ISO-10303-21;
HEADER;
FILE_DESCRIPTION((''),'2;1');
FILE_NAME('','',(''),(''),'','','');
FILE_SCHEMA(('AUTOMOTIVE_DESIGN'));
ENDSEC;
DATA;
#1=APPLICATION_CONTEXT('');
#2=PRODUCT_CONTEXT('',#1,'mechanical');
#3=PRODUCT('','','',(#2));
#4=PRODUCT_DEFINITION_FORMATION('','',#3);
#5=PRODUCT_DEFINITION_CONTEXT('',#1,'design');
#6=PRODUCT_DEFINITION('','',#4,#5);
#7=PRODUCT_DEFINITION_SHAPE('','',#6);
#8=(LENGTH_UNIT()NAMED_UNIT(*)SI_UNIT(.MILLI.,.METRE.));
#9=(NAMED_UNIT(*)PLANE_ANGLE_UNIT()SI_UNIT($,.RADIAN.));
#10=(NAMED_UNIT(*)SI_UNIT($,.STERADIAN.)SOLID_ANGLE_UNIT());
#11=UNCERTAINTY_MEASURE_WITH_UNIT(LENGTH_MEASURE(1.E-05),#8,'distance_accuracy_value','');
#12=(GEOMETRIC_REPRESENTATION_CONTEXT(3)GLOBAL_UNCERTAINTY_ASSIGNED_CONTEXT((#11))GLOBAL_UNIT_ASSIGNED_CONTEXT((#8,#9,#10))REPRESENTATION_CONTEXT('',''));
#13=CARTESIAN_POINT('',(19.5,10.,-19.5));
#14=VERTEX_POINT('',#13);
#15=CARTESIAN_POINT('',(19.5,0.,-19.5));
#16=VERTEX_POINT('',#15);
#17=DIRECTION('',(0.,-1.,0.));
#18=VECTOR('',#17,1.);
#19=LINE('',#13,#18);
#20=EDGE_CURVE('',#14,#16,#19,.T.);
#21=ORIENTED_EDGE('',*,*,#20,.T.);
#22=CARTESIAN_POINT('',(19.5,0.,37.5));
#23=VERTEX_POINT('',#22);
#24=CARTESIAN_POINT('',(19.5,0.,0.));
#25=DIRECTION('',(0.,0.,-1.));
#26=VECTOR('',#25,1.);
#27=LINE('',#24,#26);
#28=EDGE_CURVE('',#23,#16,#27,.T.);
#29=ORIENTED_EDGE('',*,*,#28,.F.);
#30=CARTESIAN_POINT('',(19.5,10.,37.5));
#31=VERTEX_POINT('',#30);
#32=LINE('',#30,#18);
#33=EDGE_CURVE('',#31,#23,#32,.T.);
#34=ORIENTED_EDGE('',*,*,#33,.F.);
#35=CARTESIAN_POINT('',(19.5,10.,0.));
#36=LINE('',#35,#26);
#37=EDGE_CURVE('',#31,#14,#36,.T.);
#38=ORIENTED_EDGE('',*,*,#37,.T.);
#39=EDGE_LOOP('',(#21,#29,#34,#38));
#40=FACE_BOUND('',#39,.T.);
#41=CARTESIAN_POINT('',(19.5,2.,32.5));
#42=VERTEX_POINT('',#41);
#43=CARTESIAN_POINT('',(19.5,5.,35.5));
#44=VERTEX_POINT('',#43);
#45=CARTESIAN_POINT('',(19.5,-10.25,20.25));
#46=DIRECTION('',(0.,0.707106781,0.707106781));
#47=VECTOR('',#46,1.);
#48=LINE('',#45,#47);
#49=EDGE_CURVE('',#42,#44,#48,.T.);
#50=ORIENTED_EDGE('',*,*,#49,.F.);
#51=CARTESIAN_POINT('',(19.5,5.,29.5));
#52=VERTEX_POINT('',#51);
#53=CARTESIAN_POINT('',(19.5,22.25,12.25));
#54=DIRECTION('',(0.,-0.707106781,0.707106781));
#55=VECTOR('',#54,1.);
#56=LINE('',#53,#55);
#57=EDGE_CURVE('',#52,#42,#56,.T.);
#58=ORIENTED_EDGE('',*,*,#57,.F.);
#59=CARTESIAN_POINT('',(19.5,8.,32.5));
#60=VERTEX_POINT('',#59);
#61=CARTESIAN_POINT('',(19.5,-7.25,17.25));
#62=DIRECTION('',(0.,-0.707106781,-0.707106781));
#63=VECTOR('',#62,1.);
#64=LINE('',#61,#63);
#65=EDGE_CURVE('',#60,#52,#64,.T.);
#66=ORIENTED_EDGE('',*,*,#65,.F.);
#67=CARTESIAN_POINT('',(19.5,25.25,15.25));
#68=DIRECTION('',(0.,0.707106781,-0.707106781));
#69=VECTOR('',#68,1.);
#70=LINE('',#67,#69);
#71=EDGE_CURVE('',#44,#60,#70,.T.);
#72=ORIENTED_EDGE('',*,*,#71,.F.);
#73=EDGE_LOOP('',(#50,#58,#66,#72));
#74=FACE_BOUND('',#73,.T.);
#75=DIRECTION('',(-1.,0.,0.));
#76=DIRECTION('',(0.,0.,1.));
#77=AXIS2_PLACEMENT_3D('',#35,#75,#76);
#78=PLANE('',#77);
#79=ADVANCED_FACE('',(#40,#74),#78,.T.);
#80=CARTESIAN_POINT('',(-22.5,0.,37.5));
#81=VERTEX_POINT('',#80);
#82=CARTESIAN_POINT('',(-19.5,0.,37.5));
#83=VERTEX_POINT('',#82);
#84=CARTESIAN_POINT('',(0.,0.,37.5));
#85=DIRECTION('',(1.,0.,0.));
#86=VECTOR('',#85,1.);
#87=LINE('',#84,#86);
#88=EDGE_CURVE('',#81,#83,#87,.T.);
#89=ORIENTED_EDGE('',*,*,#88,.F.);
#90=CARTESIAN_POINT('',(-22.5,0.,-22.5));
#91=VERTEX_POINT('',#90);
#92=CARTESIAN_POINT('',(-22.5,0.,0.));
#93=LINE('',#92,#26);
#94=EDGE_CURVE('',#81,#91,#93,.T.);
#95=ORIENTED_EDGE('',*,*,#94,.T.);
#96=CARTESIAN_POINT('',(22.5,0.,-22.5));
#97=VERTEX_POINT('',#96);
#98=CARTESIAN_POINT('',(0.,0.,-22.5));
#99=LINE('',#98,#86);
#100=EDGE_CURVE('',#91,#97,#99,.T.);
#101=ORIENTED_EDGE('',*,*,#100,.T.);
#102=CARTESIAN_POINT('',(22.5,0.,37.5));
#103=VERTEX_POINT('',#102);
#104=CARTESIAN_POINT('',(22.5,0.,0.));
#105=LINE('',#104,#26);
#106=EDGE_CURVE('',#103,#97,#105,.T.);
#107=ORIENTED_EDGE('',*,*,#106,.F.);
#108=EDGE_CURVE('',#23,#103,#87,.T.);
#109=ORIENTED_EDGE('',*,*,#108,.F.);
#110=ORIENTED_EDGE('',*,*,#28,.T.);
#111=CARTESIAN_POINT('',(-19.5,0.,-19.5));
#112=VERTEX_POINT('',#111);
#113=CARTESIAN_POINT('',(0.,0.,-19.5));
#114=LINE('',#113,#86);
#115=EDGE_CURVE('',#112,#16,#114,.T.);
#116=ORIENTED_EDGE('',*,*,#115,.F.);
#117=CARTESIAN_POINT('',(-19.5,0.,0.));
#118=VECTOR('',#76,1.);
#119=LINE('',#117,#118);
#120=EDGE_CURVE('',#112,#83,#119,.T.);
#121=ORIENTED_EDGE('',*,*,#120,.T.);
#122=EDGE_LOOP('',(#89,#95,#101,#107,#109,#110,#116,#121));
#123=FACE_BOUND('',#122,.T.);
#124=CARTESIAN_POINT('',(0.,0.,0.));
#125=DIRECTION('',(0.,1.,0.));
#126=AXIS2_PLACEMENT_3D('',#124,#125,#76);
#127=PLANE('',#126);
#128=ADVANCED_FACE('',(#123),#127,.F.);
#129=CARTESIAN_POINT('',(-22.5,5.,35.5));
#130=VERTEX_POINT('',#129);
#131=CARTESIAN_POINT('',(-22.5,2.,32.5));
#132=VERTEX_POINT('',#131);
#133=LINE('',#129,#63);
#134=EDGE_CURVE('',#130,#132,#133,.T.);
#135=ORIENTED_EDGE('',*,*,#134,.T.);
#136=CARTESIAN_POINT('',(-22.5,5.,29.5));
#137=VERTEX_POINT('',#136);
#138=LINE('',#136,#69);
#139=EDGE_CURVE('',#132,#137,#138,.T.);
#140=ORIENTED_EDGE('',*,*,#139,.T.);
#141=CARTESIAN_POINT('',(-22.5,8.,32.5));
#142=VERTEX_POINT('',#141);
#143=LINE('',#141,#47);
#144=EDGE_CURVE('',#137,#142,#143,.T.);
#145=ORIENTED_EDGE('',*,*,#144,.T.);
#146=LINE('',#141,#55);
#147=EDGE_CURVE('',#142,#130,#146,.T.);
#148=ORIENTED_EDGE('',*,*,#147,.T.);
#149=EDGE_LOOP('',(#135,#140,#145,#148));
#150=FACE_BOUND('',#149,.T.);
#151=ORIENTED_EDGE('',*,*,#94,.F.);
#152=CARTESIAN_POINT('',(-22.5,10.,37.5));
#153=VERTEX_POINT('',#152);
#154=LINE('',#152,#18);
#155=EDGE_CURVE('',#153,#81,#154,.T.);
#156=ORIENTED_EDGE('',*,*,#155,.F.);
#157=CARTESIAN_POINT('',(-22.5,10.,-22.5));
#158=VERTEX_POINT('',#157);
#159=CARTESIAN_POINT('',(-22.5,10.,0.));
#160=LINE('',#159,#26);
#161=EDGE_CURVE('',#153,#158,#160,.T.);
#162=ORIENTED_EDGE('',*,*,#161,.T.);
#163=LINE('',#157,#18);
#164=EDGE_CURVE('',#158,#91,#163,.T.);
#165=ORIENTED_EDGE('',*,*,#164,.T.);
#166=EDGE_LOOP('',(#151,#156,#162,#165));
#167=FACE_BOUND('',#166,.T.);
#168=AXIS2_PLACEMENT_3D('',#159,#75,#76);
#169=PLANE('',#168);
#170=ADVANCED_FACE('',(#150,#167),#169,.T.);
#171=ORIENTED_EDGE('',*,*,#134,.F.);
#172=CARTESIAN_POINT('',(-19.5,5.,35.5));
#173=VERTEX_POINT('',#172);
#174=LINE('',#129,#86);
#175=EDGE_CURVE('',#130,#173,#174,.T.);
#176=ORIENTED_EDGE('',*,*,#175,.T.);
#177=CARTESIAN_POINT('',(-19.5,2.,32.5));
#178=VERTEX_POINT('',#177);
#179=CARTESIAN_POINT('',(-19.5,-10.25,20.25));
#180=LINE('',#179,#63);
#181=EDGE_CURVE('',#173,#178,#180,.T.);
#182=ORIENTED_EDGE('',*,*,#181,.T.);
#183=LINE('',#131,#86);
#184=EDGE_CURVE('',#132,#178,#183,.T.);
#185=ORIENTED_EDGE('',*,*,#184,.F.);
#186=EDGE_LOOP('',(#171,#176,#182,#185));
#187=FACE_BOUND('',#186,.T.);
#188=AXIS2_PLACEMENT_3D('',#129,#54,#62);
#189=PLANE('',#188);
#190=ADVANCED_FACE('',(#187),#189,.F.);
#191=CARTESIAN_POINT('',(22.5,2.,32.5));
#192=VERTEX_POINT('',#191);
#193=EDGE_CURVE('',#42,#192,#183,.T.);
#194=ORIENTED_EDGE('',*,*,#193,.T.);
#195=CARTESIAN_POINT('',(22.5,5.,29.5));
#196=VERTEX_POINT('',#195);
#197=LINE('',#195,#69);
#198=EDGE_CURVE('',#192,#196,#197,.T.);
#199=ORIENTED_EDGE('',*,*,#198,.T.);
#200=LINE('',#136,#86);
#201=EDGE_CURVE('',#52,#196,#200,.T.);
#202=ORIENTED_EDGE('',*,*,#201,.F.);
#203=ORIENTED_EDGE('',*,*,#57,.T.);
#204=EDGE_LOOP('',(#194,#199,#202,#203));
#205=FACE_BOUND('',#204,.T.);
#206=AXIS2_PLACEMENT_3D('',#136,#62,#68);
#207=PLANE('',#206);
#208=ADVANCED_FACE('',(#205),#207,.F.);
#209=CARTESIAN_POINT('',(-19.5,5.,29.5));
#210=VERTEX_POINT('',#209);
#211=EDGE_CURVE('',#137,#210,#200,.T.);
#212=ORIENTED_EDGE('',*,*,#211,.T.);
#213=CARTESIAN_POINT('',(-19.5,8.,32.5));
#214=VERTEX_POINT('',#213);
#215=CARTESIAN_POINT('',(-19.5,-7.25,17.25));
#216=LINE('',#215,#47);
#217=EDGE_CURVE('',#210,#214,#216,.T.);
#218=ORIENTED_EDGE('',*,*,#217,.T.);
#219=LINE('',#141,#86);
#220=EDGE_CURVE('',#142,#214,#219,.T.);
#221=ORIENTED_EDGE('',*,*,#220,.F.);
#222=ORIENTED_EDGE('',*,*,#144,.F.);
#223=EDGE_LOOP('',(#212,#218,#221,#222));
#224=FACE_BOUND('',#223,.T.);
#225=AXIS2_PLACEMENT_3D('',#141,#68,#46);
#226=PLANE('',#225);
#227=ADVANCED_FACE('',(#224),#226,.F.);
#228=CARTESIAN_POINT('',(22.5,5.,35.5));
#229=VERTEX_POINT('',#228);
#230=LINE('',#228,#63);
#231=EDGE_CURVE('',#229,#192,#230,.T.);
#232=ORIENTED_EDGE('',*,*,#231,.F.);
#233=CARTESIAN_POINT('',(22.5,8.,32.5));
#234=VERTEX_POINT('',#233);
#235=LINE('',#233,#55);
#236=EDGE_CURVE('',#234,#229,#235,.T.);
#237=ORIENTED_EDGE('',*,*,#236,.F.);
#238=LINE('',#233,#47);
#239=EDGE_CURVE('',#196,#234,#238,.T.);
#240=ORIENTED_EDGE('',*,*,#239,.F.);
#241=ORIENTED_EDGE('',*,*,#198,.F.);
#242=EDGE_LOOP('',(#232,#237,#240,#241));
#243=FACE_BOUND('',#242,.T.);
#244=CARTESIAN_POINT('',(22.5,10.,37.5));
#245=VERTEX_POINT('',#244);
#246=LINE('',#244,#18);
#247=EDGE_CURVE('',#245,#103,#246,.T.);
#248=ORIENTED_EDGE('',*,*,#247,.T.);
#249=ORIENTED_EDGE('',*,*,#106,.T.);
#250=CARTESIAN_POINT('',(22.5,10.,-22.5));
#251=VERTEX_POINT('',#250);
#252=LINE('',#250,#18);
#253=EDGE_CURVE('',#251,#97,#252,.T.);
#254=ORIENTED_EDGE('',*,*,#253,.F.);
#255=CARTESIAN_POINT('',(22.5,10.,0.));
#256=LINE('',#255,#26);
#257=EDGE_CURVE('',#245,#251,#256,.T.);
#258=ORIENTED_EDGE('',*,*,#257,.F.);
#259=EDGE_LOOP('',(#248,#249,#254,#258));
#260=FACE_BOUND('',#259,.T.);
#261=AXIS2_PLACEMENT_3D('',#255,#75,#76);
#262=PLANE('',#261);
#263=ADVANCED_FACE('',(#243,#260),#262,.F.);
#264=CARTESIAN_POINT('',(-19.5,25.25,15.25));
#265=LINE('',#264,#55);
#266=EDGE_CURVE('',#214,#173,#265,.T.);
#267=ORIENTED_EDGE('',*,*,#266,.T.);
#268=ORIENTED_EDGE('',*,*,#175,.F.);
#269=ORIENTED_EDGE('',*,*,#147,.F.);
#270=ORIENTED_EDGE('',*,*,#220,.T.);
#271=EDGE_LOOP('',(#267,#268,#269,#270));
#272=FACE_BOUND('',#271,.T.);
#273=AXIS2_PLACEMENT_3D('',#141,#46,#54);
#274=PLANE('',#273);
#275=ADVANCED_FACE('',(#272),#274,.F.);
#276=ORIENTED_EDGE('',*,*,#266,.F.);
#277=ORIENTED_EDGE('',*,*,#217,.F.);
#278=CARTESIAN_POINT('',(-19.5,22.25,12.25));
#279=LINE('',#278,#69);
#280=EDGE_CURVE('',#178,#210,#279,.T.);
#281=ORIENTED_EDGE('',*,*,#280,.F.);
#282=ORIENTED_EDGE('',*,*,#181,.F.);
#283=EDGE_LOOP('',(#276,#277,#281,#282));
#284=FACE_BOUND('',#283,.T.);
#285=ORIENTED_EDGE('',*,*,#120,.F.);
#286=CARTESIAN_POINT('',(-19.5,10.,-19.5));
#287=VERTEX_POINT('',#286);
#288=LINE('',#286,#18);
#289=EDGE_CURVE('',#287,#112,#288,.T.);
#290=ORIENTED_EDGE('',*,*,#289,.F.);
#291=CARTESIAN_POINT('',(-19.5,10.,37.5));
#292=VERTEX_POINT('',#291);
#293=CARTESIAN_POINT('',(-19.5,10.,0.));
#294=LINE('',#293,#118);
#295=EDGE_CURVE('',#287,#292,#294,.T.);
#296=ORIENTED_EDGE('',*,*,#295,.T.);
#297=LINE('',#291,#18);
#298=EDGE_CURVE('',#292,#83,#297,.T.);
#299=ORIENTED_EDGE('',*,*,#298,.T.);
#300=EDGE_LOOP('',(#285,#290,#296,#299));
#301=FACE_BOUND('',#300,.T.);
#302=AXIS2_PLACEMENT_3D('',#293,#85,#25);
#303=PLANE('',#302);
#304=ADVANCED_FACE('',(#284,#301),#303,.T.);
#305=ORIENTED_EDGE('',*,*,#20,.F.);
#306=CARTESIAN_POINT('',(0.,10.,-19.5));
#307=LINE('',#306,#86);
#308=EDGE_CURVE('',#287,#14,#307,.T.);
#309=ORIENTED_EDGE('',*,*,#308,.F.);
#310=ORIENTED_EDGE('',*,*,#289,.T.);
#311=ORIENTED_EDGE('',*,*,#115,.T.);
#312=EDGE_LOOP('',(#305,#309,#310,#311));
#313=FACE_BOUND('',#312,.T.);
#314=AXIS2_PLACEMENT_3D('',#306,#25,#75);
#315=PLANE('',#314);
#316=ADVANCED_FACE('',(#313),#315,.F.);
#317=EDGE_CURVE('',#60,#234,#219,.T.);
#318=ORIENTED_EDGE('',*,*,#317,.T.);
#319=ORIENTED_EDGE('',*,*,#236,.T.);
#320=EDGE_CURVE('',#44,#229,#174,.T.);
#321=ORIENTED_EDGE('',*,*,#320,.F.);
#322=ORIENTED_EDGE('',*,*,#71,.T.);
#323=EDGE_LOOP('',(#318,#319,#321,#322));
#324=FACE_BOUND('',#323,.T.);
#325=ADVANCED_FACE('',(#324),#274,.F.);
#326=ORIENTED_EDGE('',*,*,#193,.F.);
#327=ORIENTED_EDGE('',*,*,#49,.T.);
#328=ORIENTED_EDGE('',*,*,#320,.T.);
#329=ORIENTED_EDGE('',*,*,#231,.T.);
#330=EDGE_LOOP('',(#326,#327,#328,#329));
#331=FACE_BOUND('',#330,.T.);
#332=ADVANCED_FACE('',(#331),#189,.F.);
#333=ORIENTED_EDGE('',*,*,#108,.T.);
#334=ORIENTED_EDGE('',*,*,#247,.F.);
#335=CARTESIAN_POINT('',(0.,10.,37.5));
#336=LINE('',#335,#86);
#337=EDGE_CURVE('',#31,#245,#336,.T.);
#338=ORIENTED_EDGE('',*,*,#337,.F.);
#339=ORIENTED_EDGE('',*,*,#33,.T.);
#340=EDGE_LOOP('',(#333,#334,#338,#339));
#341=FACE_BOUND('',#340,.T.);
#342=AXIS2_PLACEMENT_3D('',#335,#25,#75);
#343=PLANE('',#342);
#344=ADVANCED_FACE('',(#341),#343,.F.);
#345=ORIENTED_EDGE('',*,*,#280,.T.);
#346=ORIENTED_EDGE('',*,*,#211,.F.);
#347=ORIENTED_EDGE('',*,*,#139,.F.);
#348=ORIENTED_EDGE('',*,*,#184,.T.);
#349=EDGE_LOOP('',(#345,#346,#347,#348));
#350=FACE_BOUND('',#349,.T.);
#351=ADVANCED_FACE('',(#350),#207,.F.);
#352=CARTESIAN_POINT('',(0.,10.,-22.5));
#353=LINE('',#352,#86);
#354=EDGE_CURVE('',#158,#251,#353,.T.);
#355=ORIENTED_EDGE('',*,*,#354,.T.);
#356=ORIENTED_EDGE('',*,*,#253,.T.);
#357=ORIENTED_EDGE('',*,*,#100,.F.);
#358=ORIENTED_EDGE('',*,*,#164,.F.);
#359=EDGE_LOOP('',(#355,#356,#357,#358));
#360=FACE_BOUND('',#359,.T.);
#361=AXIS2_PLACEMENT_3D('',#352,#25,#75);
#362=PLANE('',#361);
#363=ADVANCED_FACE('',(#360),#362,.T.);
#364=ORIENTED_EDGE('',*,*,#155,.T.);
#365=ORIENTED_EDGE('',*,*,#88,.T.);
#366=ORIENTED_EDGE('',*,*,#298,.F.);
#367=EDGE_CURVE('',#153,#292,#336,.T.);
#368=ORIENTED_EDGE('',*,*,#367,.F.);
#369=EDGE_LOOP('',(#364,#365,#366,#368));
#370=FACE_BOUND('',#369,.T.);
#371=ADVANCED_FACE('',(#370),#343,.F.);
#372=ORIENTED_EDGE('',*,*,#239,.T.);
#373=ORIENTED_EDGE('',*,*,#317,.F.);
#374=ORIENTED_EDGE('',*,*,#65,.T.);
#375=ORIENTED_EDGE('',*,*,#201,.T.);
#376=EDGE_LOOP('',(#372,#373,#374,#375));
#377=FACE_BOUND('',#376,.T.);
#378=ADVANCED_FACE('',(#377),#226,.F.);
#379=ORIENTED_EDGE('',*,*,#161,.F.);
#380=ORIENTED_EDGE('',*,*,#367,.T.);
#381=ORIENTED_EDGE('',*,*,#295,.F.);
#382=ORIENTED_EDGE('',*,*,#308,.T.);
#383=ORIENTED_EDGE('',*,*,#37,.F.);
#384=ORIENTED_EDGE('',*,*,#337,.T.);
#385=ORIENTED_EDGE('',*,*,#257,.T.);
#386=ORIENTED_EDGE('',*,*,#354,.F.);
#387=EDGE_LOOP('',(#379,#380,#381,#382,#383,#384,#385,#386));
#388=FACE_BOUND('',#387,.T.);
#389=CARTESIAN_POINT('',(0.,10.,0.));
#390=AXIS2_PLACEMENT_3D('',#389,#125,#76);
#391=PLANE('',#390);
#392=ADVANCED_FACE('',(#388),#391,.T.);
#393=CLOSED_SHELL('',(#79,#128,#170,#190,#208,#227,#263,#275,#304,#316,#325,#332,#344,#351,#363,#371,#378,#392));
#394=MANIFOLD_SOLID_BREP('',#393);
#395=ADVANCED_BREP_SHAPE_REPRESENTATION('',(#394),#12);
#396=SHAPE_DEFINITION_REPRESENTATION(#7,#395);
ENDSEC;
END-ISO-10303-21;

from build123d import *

# Parameters (mm, degrees)
SKETCH1_W           = 3
SKETCH1_H           = 15
BOSS_EXTRUDE1_DEPTH = 10
CUT_EXTRUDE1_DEPTH  = 60.42432162


with BuildPart() as part:
    # Sketch1 → Boss-Extrude1 (new body)
    with BuildSketch(Plane(origin=(0, 0, 0), x_dir=(1, 0, 0), z_dir=(0, 1, 0))):
        Polygon((19.5, -19.5), (19.5, 19.5), (-19.5, 19.5), (-19.5, -19.5), (-19.5, -22.5), (-22.5, -22.5), (-22.5, 22.5), (22.5, 22.5), (22.5, -22.5), (19.5, -22.5), align=None)
        with Locations((-21, -30)):
            Rectangle(SKETCH1_W, SKETCH1_H)
        with Locations((21, -30)):
            Rectangle(SKETCH1_W, SKETCH1_H)
    extrude(amount=BOSS_EXTRUDE1_DEPTH)

    # Sketch3 → Cut-Extrude1 (cut, through all)
    with BuildSketch(Plane(origin=(22.5, 0, 0), x_dir=(0, 0, -1), z_dir=(1, 0, 0))):
        Polygon((-32.5, 8), (-35.5, 5), (-32.5, 2), (-29.5, 5), align=None)
    extrude(amount=-CUT_EXTRUDE1_DEPTH, mode=Mode.SUBTRACT)


solid = part.part
